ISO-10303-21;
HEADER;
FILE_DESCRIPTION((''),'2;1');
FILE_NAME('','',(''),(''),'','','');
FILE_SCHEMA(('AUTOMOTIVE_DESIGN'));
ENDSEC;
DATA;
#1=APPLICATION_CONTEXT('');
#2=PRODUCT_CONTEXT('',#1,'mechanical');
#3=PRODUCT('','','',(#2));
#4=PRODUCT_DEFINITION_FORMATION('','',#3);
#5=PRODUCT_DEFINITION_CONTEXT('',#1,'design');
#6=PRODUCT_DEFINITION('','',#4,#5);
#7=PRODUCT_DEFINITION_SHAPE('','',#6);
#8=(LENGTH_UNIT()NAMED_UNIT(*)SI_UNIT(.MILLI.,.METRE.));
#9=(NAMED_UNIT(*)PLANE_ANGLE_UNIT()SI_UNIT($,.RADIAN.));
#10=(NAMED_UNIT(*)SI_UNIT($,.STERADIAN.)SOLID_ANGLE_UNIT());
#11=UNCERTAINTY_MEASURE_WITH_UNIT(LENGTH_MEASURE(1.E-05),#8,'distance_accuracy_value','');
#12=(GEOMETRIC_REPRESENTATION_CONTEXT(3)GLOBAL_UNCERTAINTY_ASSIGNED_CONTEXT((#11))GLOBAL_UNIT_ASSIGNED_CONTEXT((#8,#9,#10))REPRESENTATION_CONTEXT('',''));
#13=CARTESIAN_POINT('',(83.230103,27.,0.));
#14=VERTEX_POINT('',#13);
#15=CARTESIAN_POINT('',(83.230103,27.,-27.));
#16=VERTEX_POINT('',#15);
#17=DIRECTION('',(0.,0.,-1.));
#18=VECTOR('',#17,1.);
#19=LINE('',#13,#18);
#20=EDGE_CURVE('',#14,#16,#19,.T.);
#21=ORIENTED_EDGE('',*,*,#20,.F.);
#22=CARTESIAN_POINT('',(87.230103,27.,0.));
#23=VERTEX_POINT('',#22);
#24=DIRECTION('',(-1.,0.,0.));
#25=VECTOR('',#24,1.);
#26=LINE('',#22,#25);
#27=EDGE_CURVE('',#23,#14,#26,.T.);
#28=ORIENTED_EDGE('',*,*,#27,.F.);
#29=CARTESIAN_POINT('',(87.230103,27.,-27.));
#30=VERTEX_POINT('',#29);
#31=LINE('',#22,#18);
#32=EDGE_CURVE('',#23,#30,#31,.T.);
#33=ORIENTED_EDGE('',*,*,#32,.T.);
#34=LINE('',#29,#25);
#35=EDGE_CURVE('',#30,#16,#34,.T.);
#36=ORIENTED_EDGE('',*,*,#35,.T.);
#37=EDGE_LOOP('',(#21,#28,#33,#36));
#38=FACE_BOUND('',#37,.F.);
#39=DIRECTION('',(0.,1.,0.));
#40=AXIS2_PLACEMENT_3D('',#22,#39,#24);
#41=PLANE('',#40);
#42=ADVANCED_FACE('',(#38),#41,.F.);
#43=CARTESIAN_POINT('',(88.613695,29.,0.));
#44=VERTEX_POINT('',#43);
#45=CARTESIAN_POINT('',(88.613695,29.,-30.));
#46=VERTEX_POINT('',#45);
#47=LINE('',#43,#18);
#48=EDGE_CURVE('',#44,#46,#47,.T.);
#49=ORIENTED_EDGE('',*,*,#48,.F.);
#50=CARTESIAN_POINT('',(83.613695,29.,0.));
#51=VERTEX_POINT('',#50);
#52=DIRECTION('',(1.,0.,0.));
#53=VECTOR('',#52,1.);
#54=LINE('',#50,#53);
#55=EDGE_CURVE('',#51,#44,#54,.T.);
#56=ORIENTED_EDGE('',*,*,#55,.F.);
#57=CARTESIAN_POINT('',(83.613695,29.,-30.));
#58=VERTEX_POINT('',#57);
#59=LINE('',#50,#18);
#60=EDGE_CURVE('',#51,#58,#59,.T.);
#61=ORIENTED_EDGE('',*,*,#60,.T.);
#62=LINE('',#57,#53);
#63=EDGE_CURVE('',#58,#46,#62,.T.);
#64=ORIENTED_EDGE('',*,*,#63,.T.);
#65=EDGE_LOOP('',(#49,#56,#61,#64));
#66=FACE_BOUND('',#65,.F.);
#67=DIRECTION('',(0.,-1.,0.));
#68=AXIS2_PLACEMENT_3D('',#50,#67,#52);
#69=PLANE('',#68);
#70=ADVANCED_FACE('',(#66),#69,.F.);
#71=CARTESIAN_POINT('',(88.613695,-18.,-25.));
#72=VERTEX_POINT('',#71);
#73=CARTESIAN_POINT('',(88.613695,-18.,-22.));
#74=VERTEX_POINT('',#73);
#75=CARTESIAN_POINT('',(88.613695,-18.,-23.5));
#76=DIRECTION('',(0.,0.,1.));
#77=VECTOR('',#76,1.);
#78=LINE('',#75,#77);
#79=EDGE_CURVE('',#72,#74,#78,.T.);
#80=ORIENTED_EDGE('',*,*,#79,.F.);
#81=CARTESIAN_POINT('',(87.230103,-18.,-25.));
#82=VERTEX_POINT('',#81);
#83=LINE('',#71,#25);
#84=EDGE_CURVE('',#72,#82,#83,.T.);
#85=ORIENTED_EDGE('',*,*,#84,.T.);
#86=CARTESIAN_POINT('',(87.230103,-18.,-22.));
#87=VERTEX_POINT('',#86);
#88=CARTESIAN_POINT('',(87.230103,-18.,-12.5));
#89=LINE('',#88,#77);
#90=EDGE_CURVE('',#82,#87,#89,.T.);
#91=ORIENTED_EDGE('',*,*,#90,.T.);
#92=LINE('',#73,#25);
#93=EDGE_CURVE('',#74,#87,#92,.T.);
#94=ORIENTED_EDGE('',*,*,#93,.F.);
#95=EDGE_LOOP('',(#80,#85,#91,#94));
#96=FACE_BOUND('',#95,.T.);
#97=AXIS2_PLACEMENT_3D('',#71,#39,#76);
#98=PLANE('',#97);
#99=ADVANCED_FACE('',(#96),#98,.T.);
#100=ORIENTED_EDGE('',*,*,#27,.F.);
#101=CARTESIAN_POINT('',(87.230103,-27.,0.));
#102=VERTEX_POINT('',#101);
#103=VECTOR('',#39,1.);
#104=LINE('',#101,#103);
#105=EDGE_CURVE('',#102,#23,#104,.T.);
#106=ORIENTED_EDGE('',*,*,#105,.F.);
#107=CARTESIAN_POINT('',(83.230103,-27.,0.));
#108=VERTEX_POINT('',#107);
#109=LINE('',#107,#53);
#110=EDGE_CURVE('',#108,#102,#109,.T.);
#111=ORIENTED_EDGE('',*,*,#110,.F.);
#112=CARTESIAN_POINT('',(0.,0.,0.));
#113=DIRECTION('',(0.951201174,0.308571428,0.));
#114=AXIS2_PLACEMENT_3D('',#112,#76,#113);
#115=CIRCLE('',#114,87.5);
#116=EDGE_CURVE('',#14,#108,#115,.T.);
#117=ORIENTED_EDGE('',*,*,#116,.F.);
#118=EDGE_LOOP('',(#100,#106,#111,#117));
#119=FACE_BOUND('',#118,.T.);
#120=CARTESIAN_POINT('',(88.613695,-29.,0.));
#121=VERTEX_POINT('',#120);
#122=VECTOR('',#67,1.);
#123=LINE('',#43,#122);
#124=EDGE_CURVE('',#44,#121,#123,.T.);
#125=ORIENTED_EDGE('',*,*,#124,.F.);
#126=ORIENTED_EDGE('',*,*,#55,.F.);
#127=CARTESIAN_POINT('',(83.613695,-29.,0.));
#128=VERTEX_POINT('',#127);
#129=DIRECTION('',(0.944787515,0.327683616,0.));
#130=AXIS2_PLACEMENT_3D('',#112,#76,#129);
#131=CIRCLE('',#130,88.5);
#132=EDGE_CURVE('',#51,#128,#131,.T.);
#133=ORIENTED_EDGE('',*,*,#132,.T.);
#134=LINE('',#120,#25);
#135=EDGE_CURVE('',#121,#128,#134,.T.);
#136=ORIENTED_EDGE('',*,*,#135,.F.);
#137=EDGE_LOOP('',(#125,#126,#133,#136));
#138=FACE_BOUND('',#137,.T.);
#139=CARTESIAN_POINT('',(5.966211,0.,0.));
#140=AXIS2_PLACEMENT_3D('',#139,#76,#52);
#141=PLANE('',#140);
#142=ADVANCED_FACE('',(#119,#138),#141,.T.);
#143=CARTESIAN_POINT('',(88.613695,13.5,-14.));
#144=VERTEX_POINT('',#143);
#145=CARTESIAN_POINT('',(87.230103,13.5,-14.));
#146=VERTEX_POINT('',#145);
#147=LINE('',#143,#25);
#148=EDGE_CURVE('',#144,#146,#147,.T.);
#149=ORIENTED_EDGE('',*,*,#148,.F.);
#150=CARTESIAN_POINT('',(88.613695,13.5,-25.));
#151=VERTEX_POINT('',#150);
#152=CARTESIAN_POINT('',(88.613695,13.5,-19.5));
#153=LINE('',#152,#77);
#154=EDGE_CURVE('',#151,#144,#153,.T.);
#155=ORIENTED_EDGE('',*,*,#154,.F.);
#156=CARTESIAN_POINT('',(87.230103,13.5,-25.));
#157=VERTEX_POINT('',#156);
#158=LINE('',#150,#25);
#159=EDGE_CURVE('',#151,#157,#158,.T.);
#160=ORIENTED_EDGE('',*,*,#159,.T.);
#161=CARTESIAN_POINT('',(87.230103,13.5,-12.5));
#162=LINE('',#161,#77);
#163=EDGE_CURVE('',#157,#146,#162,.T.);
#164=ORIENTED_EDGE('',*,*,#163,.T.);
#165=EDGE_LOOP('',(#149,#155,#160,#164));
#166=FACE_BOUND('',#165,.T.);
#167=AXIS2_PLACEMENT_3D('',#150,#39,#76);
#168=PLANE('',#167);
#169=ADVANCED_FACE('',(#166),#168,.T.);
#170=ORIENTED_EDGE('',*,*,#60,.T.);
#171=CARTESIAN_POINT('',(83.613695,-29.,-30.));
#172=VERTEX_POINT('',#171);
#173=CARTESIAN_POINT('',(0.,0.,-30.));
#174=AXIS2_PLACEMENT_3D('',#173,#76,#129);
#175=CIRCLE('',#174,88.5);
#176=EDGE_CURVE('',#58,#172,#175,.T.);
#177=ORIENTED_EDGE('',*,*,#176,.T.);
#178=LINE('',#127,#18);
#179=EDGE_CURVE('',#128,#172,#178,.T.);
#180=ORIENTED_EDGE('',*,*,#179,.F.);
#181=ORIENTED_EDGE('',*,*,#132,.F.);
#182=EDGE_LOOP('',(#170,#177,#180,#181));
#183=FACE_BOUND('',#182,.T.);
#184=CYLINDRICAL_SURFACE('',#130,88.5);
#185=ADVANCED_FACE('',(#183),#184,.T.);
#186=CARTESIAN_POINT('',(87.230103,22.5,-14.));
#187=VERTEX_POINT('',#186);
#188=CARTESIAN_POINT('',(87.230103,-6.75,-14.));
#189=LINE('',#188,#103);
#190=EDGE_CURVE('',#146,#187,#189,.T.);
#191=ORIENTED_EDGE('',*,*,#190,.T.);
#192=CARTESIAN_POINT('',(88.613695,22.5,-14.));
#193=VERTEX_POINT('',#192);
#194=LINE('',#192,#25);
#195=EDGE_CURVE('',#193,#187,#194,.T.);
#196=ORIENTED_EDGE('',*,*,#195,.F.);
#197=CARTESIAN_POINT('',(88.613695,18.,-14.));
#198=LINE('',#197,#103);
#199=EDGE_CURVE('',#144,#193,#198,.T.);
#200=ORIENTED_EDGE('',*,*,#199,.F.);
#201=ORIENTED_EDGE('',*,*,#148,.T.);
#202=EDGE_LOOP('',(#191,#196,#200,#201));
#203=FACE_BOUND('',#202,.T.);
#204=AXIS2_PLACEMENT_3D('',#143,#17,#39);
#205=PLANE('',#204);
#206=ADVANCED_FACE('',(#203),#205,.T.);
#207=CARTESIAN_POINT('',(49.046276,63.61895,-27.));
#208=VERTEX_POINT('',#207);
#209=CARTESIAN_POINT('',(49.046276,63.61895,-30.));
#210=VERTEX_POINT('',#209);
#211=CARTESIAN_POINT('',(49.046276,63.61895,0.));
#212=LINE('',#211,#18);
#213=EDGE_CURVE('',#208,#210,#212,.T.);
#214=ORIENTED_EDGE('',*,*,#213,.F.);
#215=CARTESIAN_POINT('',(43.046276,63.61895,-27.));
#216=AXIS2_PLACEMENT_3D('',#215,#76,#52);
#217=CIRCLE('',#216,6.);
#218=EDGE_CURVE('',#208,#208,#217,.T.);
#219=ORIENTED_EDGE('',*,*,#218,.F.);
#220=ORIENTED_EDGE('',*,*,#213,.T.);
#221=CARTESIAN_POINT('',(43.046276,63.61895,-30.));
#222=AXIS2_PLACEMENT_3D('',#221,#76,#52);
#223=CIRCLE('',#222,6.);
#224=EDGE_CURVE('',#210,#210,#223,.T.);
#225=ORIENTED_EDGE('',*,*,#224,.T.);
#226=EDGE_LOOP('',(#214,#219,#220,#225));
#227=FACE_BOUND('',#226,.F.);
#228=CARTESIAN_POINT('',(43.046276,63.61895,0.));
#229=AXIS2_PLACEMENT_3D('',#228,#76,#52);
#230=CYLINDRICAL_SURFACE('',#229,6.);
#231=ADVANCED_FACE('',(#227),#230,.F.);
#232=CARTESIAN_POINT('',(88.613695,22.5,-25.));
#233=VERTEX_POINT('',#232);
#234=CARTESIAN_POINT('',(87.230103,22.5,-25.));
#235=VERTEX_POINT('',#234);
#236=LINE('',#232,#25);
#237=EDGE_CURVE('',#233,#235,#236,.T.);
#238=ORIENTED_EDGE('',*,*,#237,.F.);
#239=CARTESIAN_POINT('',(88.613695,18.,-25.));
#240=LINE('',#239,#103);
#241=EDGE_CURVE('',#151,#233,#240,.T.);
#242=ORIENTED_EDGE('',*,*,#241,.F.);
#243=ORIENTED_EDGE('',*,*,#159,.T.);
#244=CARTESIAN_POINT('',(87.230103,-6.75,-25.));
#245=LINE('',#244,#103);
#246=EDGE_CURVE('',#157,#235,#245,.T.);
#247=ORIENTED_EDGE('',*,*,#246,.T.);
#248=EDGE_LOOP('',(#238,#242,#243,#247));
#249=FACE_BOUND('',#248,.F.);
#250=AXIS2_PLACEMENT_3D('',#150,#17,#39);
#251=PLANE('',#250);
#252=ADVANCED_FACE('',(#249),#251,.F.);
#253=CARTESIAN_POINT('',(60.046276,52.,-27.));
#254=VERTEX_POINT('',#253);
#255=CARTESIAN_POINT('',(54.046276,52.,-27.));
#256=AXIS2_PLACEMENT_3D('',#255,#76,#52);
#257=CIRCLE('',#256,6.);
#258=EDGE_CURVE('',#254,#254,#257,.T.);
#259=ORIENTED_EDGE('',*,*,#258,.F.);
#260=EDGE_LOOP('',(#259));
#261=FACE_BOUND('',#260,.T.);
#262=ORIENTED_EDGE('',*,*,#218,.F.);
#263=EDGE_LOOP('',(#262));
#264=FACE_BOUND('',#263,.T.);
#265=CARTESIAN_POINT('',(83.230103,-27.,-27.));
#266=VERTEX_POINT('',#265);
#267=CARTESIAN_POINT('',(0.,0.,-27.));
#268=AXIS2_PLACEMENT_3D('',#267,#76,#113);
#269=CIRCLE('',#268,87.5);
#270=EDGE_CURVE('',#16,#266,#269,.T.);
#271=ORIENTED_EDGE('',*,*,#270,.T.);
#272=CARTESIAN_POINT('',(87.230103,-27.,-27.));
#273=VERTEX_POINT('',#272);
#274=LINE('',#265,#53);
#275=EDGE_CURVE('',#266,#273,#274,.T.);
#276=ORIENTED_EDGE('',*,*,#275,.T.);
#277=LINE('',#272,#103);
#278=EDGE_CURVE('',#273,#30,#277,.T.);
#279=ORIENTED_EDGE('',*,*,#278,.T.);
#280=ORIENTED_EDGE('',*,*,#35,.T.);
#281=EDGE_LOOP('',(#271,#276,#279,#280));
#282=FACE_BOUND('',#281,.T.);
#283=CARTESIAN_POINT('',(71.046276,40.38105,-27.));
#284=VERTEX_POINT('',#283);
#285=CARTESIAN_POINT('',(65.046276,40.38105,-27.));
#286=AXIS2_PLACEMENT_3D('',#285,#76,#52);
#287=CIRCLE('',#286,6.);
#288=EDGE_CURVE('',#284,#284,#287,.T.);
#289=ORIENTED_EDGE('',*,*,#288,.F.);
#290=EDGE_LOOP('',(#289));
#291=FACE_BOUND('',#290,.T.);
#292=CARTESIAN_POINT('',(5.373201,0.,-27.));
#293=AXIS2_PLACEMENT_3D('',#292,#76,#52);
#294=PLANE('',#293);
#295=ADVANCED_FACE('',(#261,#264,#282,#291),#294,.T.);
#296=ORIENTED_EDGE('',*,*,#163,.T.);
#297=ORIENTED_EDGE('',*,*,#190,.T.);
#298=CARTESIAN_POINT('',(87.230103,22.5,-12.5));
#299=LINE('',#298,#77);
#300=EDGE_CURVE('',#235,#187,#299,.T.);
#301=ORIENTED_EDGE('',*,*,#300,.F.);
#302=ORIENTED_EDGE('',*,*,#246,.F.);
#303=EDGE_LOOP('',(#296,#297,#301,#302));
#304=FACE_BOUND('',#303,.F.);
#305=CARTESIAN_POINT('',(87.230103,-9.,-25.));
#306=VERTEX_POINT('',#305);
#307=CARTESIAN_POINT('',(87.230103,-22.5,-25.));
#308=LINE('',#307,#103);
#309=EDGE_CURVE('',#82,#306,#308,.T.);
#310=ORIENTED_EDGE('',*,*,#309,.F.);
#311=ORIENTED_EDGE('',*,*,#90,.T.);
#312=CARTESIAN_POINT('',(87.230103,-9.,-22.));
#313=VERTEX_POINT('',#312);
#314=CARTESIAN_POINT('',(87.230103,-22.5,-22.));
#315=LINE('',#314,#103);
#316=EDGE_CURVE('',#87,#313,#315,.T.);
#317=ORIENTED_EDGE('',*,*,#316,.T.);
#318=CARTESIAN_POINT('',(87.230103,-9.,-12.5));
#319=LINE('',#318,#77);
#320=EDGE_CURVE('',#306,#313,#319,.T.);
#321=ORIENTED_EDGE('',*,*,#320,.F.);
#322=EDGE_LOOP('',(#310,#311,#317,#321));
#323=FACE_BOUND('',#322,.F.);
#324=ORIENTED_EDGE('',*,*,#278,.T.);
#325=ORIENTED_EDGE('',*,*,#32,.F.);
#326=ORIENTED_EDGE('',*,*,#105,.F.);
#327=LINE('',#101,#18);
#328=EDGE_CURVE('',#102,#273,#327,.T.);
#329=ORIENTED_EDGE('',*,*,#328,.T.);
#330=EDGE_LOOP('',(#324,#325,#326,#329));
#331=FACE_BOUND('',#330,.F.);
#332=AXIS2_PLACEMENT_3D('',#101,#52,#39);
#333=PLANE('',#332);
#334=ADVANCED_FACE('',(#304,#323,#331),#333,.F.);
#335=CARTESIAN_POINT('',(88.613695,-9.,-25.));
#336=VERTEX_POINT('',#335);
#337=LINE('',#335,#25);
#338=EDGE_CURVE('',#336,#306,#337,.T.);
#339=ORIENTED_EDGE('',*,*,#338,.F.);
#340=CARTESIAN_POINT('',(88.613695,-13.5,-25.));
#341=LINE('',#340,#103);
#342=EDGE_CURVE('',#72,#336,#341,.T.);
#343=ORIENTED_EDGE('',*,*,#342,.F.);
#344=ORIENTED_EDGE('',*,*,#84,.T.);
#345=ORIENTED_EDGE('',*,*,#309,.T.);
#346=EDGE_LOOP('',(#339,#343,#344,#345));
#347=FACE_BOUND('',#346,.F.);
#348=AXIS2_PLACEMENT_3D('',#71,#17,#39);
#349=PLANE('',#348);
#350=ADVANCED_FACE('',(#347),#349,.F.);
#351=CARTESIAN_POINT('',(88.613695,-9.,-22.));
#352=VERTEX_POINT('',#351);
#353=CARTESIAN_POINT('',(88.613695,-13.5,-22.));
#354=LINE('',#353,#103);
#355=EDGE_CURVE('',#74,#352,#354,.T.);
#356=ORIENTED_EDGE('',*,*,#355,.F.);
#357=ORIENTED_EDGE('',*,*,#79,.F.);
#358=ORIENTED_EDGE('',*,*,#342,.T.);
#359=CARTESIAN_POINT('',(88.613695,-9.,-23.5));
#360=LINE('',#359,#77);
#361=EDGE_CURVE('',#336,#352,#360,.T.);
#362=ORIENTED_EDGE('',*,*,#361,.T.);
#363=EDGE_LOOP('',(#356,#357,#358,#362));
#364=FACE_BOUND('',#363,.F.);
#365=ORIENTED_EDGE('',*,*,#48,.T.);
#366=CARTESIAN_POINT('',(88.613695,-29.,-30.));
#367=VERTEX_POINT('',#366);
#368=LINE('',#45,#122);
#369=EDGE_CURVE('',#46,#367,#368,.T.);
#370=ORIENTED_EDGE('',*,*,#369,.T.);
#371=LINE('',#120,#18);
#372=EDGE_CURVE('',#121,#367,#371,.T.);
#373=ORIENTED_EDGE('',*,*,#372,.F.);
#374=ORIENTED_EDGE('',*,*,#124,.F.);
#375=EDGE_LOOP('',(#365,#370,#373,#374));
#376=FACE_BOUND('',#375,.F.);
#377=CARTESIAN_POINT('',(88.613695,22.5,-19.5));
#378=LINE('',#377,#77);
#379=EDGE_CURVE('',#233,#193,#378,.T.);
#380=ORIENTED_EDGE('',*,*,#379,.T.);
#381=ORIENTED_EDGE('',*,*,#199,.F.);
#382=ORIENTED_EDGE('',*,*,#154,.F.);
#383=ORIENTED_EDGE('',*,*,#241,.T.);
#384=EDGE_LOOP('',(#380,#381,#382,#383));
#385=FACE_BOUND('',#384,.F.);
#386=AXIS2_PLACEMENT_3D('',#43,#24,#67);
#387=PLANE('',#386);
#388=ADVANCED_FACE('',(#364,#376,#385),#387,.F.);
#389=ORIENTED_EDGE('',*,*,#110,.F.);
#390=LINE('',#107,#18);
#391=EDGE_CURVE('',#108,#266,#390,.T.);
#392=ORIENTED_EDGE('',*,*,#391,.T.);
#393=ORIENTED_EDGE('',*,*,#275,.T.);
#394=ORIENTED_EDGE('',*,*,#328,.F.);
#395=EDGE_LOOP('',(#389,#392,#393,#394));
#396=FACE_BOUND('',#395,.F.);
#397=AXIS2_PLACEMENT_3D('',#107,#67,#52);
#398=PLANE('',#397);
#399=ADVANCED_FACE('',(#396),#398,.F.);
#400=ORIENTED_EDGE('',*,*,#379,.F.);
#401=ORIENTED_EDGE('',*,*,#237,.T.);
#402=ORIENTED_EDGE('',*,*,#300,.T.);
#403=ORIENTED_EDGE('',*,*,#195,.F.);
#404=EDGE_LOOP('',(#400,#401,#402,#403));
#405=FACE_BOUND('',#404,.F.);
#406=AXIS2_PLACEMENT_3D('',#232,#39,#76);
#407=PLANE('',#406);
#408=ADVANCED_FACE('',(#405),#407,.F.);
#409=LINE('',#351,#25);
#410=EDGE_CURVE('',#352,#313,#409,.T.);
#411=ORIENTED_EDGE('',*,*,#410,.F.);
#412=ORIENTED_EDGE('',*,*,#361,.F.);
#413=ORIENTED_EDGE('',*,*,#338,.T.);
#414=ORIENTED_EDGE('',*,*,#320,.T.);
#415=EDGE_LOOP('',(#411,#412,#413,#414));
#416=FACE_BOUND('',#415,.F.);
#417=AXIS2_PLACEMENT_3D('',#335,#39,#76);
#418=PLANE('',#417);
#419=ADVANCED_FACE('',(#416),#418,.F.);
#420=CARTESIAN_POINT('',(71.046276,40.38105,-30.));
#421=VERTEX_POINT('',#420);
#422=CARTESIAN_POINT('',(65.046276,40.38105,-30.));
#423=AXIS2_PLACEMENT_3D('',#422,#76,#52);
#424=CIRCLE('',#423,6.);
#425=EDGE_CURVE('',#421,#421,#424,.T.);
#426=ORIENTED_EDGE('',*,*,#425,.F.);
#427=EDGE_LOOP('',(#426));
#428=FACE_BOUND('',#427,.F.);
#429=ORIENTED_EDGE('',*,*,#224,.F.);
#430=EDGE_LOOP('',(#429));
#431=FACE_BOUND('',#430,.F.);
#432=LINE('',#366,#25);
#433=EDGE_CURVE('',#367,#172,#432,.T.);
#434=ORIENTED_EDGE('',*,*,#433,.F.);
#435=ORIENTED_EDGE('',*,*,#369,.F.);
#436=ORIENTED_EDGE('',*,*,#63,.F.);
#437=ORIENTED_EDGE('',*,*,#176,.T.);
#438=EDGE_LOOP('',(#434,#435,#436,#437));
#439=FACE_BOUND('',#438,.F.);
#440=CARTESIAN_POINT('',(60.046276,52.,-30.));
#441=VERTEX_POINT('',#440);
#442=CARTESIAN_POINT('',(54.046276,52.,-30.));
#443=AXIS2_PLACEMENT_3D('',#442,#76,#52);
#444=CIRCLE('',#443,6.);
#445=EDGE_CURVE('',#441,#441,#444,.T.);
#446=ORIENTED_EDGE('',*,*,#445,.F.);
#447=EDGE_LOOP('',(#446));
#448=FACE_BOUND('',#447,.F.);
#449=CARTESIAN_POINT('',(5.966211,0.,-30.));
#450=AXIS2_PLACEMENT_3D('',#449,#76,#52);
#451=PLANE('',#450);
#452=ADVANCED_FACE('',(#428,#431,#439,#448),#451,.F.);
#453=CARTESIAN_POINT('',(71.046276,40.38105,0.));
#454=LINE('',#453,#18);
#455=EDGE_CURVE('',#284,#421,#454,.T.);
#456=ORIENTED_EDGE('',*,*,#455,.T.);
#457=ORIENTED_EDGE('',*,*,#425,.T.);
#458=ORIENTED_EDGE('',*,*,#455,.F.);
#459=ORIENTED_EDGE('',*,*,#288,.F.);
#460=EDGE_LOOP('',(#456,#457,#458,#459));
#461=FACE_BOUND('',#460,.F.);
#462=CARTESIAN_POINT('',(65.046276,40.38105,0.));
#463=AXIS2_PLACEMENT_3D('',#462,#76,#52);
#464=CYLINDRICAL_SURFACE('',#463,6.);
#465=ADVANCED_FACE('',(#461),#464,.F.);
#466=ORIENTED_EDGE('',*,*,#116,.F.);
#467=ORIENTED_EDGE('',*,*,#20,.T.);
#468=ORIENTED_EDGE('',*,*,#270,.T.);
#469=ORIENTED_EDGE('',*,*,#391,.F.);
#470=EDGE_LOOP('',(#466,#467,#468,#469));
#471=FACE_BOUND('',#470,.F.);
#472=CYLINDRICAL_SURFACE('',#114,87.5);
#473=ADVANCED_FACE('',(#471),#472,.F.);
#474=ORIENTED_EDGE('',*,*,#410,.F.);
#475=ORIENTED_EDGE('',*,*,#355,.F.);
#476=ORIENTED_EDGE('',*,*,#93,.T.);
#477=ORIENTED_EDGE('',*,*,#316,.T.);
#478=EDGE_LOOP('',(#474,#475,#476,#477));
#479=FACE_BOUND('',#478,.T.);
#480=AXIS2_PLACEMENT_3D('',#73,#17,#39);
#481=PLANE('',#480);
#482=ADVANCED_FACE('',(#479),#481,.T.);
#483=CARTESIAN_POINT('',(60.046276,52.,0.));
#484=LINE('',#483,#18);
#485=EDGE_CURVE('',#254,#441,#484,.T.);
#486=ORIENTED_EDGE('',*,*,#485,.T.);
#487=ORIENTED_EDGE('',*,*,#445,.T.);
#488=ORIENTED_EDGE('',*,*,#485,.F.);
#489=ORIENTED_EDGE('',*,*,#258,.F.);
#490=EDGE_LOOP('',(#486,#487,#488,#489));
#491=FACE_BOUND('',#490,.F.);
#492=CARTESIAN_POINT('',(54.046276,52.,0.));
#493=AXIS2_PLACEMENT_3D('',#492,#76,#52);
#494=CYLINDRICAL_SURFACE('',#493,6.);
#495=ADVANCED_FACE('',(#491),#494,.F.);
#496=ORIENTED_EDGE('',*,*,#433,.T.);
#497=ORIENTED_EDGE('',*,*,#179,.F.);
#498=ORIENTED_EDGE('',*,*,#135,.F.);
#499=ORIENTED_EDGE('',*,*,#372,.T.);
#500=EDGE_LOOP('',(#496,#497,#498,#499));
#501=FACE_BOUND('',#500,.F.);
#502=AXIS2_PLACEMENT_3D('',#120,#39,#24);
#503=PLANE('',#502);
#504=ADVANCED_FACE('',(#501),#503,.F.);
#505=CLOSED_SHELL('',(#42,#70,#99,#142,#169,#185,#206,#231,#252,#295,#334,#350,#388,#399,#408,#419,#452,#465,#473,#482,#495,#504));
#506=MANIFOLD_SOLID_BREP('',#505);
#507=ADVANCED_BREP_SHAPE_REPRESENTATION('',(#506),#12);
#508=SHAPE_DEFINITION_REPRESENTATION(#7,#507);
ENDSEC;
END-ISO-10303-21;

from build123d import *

# Parameters (mm, degrees)
SKETCH007_R     = 6
PAD006_DEPTH    = 30
POCKET_DEPTH    = 27
SKETCH009_W     = 9
SKETCH009_H     = 11
SKETCH009_H_2   = 3
POCKET001_DEPTH = 2


with BuildPart() as part:
    # Sketch007 → Pad006 (new body)
    with BuildSketch(Plane.XY):
        with BuildLine():
            ThreePointArc((83.613695, 29), (-88.5, 0), (83.613695, -29))
            Line((88.613695, -29), (83.613695, -29))
            Line((88.613695, 29), (88.613695, -29))
            Line((83.613695, 29), (88.613695, 29))
        make_face()
        with Locations((43.046276, 63.61895)):
            Circle(SKETCH007_R, mode=Mode.SUBTRACT)
        with Locations((54.046276, 52)):
            Circle(SKETCH007_R, mode=Mode.SUBTRACT)
        with Locations((65.046276, 40.38105)):
            Circle(SKETCH007_R, mode=Mode.SUBTRACT)
    extrude(amount=-PAD006_DEPTH)

    # Sketch008 → Pocket (cut)
    with BuildSketch(Plane.XY):
        with BuildLine():
            ThreePointArc((83.230103, 27), (-87.5, 0), (83.230103, -27))
            Line((83.230103, -27), (87.230103, -27))
            Line((87.230103, -27), (87.230103, 27))
            Line((87.230103, 27), (83.230103, 27))
        make_face()
    extrude(amount=-POCKET_DEPTH, mode=Mode.SUBTRACT)

    # Sketch009 (on Face6 of Pocket) → Pocket001 (cut)
    with BuildSketch(Plane.YZ.offset(88.613695)):
        with Locations((18, -19.5)):
            Rectangle(SKETCH009_W, SKETCH009_H)
        with Locations((-13.5, -23.5)):
            Rectangle(SKETCH009_W, SKETCH009_H_2)
    extrude(amount=-POCKET001_DEPTH, mode=Mode.SUBTRACT)


solid = part.part
